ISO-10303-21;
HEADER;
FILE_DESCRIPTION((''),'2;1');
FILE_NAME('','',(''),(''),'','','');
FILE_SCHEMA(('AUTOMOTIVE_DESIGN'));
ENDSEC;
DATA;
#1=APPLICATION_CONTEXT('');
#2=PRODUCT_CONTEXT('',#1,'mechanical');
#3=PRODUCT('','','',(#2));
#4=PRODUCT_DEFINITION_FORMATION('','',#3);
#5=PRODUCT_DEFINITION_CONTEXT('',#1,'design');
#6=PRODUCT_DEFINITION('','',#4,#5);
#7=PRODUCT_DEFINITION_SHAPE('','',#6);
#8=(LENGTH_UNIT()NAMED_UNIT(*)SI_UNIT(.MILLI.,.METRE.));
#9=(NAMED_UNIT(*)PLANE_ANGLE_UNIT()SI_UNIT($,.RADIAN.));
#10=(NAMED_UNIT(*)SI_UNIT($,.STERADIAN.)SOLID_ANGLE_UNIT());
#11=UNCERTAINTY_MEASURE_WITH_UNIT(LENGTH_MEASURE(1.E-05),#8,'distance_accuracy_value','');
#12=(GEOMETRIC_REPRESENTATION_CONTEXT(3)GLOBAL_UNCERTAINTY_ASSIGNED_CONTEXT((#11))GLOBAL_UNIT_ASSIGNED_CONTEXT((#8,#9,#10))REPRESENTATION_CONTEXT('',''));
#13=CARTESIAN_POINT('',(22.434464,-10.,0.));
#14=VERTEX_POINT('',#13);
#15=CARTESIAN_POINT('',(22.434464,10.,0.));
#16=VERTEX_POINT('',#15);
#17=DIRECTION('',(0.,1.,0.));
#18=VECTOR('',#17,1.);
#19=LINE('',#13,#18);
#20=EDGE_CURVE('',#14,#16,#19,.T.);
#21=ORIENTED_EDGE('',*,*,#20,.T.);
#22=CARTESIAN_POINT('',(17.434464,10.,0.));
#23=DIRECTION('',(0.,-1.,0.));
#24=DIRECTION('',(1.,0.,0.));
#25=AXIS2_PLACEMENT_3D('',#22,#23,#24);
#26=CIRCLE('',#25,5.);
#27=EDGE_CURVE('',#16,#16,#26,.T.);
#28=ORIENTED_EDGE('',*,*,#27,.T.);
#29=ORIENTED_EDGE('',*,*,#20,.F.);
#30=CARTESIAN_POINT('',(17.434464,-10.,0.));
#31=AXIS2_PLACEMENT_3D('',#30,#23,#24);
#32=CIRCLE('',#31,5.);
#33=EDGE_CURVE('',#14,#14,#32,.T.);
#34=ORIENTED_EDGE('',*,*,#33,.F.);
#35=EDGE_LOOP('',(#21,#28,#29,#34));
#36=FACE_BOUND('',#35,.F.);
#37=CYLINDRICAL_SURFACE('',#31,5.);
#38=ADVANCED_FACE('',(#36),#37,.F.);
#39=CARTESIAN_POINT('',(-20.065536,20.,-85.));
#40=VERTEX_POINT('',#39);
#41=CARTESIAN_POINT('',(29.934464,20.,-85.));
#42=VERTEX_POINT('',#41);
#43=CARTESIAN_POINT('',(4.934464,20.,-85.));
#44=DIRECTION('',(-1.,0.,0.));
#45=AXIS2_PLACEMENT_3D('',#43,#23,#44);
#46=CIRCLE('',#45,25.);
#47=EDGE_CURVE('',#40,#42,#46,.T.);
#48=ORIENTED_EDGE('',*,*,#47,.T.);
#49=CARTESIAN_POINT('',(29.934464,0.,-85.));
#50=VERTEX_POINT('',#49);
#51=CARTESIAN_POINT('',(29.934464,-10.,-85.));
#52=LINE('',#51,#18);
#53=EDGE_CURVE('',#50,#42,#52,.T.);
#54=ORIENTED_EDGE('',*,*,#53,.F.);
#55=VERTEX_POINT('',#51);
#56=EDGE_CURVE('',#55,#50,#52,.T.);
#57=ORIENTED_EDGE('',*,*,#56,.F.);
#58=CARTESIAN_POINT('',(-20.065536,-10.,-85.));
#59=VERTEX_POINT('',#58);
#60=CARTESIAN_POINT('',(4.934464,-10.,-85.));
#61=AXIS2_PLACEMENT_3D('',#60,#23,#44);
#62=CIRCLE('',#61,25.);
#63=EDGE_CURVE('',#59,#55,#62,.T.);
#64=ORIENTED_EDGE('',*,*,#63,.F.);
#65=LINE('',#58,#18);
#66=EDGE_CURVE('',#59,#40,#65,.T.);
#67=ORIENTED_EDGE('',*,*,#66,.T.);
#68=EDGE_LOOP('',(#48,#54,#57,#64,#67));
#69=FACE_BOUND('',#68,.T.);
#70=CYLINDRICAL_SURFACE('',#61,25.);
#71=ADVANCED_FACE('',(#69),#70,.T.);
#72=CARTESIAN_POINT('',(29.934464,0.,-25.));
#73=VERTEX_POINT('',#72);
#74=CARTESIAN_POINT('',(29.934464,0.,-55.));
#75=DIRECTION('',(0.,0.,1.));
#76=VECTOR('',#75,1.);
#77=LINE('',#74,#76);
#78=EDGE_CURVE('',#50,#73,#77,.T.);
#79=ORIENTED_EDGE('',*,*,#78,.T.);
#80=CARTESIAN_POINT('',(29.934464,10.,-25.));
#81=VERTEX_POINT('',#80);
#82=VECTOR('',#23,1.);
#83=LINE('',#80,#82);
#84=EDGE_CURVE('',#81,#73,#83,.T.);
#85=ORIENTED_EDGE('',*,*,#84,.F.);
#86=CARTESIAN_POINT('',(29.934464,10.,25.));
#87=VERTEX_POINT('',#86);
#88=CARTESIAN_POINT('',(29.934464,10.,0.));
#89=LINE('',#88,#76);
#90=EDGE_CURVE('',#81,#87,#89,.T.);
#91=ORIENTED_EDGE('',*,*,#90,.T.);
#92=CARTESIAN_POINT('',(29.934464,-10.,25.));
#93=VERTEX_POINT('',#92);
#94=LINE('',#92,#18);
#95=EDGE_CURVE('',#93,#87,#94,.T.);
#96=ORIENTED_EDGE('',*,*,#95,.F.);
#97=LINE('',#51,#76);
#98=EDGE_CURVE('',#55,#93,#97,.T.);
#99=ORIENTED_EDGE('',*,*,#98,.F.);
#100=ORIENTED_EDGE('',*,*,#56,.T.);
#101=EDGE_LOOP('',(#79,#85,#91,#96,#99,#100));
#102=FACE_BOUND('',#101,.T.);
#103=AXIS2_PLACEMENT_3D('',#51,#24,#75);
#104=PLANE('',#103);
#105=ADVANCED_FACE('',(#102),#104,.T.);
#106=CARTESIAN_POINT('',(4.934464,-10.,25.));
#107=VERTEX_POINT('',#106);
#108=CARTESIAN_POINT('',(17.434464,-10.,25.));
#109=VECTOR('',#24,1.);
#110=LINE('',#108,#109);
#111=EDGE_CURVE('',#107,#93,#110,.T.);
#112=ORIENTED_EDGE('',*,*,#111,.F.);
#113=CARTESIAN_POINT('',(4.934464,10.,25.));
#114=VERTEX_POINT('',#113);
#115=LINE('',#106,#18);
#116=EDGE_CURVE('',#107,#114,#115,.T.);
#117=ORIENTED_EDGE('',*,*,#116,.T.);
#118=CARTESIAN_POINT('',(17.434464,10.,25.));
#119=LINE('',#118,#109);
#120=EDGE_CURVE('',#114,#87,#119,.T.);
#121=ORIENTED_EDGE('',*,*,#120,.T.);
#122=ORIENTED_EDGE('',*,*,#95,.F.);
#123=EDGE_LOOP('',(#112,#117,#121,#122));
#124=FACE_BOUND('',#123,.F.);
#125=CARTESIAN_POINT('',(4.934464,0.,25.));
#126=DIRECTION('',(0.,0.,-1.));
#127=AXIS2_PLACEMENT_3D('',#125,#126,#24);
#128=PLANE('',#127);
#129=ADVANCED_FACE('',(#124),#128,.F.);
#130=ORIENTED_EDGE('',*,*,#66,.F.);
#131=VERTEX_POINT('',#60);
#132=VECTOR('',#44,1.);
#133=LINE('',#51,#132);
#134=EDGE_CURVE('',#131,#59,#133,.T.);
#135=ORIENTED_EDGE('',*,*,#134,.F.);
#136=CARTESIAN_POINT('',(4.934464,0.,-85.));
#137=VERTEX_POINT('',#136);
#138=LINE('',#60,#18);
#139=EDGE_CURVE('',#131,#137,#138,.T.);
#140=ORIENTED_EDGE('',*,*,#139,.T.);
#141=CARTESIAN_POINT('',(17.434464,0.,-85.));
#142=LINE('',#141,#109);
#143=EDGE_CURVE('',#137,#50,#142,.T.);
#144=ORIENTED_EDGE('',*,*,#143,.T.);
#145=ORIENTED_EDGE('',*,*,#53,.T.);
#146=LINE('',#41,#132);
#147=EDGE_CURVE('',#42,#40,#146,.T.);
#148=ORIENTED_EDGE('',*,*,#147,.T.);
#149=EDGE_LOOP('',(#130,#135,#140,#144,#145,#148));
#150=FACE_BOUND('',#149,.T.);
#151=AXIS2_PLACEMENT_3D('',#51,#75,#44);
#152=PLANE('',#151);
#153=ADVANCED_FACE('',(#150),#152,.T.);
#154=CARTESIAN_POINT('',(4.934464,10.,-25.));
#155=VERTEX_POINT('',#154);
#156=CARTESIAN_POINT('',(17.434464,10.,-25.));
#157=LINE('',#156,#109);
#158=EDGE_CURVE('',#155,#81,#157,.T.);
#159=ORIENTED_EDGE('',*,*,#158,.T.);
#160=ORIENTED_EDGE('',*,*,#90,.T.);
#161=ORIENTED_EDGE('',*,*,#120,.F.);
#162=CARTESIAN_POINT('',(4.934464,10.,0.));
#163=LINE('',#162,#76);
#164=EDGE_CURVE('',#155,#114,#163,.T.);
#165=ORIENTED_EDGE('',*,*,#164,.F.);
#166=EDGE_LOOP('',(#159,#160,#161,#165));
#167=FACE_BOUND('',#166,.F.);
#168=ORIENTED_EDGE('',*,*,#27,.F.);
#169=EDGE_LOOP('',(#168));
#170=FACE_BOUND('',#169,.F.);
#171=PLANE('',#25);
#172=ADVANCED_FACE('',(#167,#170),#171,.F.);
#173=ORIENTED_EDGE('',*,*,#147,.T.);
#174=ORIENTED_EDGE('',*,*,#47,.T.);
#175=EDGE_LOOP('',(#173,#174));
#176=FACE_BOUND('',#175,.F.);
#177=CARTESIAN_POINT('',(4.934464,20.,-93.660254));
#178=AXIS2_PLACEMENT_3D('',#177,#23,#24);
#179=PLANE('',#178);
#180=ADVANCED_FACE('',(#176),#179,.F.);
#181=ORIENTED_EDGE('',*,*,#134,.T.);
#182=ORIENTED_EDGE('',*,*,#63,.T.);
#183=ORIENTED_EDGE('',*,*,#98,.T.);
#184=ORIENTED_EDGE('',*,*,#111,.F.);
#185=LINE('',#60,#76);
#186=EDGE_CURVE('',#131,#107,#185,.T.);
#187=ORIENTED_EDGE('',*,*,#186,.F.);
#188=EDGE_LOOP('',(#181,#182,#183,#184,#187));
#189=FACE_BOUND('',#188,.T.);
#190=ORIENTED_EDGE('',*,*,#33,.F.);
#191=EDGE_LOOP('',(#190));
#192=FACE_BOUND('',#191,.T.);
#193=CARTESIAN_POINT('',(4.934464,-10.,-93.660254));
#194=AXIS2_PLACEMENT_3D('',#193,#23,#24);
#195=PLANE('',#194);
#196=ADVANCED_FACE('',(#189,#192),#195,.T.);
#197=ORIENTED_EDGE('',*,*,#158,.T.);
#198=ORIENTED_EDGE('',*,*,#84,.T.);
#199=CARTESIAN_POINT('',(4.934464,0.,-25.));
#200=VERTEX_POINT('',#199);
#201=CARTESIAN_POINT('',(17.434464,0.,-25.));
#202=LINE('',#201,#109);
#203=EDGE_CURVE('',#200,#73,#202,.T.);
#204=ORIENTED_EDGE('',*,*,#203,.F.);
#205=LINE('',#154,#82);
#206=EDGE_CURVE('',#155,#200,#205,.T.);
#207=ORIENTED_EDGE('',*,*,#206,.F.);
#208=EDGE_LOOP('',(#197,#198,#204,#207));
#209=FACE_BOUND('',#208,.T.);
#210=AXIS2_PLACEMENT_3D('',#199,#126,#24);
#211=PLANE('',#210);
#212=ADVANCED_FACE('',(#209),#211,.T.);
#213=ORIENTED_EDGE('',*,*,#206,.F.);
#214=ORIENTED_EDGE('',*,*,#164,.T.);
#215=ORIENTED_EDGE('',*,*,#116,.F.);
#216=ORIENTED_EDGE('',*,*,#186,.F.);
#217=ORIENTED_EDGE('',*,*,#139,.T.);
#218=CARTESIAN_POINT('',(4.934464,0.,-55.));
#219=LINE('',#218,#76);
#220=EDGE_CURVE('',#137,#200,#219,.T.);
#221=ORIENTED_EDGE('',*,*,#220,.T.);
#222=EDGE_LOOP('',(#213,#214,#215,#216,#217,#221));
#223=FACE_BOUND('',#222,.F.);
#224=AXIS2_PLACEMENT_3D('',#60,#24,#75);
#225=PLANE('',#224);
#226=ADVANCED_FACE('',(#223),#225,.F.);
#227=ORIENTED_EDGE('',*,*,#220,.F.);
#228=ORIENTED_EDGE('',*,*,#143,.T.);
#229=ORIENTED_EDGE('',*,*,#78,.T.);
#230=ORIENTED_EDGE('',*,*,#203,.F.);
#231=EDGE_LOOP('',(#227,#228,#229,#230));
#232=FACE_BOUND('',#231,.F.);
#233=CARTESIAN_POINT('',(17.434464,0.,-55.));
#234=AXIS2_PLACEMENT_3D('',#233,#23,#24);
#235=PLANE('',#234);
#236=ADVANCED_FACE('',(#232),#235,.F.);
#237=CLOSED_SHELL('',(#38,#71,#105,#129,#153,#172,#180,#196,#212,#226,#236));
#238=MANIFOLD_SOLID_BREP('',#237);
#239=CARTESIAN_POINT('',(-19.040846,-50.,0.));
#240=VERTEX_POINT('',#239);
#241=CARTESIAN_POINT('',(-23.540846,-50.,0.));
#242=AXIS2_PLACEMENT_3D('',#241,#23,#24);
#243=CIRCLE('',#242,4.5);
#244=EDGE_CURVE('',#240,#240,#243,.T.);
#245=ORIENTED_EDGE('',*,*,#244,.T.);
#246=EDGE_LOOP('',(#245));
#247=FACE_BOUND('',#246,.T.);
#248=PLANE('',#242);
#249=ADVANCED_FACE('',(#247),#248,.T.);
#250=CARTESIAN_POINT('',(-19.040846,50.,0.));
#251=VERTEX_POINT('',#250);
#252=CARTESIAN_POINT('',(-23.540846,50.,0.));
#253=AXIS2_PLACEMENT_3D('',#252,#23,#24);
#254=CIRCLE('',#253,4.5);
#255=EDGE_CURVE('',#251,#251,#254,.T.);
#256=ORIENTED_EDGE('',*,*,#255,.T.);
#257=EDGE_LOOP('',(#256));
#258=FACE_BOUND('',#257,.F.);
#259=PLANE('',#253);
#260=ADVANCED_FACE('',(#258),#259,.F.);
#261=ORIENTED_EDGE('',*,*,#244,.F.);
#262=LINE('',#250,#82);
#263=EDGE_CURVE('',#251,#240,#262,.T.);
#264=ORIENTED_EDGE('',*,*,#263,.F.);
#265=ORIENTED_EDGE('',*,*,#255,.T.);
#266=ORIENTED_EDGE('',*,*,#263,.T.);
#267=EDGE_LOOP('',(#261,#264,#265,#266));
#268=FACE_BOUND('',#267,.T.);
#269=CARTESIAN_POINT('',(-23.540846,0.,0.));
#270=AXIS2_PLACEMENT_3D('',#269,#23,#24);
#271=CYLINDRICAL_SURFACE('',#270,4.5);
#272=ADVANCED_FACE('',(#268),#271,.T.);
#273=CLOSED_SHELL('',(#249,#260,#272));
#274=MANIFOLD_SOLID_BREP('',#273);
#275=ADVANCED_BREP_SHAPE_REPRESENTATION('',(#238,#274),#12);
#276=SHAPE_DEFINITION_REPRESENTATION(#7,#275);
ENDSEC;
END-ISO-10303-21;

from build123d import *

# Parameters (mm, degrees)
F0_R     = 4.5
F1_DEPTH = 50
F2_W     = 25
F2_H     = 50
F3_DEPTH = 10
F4_W     = 25
F4_H     = 60
F5_DEPTH = 10
F7_DEPTH = 30
F8_R     = 5
F9_DEPTH = 60.001


with BuildPart() as f1:
    # F0 (on Front) → F1 (new body, symmetric)
    with BuildSketch(Plane.XZ):
        with Locations((-23.540846, 0)):
            Circle(F0_R)
    extrude(amount=F1_DEPTH, both=True)


with BuildPart() as f3:
    # F2 (on Front) → F3 (new body, symmetric)
    with BuildSketch(Plane.XZ):
        with Locations((17.434464, 0)):
            Rectangle(F2_W, F2_H)
    extrude(amount=F3_DEPTH, both=True)

    # F4 (on face) → F5 (join)
    with BuildSketch(Plane.XZ.offset(10)):
        with Locations((17.434464, -55)):
            Rectangle(F4_W, F4_H)
    extrude(amount=-F5_DEPTH)

    # F6 (on face) → F7 (join)
    with BuildSketch(Plane.XZ.offset(10)):
        with BuildLine():
            ThreePointArc((-20.065536, -85), (4.934464, -110), (29.934464, -85))
            Line((29.934464, -85), (4.934464, -85))
            Line((4.934464, -85), (-20.065536, -85))
        make_face()
    extrude(amount=-F7_DEPTH)

    # F8 (on face) → F9 (cut, through all)
    with BuildSketch(Plane.XZ.offset(10)):
        with Locations((17.434464, 0)):
            Circle(F8_R)
    extrude(amount=-F9_DEPTH, mode=Mode.SUBTRACT)


solid = Compound([f1.part, f3.part])
